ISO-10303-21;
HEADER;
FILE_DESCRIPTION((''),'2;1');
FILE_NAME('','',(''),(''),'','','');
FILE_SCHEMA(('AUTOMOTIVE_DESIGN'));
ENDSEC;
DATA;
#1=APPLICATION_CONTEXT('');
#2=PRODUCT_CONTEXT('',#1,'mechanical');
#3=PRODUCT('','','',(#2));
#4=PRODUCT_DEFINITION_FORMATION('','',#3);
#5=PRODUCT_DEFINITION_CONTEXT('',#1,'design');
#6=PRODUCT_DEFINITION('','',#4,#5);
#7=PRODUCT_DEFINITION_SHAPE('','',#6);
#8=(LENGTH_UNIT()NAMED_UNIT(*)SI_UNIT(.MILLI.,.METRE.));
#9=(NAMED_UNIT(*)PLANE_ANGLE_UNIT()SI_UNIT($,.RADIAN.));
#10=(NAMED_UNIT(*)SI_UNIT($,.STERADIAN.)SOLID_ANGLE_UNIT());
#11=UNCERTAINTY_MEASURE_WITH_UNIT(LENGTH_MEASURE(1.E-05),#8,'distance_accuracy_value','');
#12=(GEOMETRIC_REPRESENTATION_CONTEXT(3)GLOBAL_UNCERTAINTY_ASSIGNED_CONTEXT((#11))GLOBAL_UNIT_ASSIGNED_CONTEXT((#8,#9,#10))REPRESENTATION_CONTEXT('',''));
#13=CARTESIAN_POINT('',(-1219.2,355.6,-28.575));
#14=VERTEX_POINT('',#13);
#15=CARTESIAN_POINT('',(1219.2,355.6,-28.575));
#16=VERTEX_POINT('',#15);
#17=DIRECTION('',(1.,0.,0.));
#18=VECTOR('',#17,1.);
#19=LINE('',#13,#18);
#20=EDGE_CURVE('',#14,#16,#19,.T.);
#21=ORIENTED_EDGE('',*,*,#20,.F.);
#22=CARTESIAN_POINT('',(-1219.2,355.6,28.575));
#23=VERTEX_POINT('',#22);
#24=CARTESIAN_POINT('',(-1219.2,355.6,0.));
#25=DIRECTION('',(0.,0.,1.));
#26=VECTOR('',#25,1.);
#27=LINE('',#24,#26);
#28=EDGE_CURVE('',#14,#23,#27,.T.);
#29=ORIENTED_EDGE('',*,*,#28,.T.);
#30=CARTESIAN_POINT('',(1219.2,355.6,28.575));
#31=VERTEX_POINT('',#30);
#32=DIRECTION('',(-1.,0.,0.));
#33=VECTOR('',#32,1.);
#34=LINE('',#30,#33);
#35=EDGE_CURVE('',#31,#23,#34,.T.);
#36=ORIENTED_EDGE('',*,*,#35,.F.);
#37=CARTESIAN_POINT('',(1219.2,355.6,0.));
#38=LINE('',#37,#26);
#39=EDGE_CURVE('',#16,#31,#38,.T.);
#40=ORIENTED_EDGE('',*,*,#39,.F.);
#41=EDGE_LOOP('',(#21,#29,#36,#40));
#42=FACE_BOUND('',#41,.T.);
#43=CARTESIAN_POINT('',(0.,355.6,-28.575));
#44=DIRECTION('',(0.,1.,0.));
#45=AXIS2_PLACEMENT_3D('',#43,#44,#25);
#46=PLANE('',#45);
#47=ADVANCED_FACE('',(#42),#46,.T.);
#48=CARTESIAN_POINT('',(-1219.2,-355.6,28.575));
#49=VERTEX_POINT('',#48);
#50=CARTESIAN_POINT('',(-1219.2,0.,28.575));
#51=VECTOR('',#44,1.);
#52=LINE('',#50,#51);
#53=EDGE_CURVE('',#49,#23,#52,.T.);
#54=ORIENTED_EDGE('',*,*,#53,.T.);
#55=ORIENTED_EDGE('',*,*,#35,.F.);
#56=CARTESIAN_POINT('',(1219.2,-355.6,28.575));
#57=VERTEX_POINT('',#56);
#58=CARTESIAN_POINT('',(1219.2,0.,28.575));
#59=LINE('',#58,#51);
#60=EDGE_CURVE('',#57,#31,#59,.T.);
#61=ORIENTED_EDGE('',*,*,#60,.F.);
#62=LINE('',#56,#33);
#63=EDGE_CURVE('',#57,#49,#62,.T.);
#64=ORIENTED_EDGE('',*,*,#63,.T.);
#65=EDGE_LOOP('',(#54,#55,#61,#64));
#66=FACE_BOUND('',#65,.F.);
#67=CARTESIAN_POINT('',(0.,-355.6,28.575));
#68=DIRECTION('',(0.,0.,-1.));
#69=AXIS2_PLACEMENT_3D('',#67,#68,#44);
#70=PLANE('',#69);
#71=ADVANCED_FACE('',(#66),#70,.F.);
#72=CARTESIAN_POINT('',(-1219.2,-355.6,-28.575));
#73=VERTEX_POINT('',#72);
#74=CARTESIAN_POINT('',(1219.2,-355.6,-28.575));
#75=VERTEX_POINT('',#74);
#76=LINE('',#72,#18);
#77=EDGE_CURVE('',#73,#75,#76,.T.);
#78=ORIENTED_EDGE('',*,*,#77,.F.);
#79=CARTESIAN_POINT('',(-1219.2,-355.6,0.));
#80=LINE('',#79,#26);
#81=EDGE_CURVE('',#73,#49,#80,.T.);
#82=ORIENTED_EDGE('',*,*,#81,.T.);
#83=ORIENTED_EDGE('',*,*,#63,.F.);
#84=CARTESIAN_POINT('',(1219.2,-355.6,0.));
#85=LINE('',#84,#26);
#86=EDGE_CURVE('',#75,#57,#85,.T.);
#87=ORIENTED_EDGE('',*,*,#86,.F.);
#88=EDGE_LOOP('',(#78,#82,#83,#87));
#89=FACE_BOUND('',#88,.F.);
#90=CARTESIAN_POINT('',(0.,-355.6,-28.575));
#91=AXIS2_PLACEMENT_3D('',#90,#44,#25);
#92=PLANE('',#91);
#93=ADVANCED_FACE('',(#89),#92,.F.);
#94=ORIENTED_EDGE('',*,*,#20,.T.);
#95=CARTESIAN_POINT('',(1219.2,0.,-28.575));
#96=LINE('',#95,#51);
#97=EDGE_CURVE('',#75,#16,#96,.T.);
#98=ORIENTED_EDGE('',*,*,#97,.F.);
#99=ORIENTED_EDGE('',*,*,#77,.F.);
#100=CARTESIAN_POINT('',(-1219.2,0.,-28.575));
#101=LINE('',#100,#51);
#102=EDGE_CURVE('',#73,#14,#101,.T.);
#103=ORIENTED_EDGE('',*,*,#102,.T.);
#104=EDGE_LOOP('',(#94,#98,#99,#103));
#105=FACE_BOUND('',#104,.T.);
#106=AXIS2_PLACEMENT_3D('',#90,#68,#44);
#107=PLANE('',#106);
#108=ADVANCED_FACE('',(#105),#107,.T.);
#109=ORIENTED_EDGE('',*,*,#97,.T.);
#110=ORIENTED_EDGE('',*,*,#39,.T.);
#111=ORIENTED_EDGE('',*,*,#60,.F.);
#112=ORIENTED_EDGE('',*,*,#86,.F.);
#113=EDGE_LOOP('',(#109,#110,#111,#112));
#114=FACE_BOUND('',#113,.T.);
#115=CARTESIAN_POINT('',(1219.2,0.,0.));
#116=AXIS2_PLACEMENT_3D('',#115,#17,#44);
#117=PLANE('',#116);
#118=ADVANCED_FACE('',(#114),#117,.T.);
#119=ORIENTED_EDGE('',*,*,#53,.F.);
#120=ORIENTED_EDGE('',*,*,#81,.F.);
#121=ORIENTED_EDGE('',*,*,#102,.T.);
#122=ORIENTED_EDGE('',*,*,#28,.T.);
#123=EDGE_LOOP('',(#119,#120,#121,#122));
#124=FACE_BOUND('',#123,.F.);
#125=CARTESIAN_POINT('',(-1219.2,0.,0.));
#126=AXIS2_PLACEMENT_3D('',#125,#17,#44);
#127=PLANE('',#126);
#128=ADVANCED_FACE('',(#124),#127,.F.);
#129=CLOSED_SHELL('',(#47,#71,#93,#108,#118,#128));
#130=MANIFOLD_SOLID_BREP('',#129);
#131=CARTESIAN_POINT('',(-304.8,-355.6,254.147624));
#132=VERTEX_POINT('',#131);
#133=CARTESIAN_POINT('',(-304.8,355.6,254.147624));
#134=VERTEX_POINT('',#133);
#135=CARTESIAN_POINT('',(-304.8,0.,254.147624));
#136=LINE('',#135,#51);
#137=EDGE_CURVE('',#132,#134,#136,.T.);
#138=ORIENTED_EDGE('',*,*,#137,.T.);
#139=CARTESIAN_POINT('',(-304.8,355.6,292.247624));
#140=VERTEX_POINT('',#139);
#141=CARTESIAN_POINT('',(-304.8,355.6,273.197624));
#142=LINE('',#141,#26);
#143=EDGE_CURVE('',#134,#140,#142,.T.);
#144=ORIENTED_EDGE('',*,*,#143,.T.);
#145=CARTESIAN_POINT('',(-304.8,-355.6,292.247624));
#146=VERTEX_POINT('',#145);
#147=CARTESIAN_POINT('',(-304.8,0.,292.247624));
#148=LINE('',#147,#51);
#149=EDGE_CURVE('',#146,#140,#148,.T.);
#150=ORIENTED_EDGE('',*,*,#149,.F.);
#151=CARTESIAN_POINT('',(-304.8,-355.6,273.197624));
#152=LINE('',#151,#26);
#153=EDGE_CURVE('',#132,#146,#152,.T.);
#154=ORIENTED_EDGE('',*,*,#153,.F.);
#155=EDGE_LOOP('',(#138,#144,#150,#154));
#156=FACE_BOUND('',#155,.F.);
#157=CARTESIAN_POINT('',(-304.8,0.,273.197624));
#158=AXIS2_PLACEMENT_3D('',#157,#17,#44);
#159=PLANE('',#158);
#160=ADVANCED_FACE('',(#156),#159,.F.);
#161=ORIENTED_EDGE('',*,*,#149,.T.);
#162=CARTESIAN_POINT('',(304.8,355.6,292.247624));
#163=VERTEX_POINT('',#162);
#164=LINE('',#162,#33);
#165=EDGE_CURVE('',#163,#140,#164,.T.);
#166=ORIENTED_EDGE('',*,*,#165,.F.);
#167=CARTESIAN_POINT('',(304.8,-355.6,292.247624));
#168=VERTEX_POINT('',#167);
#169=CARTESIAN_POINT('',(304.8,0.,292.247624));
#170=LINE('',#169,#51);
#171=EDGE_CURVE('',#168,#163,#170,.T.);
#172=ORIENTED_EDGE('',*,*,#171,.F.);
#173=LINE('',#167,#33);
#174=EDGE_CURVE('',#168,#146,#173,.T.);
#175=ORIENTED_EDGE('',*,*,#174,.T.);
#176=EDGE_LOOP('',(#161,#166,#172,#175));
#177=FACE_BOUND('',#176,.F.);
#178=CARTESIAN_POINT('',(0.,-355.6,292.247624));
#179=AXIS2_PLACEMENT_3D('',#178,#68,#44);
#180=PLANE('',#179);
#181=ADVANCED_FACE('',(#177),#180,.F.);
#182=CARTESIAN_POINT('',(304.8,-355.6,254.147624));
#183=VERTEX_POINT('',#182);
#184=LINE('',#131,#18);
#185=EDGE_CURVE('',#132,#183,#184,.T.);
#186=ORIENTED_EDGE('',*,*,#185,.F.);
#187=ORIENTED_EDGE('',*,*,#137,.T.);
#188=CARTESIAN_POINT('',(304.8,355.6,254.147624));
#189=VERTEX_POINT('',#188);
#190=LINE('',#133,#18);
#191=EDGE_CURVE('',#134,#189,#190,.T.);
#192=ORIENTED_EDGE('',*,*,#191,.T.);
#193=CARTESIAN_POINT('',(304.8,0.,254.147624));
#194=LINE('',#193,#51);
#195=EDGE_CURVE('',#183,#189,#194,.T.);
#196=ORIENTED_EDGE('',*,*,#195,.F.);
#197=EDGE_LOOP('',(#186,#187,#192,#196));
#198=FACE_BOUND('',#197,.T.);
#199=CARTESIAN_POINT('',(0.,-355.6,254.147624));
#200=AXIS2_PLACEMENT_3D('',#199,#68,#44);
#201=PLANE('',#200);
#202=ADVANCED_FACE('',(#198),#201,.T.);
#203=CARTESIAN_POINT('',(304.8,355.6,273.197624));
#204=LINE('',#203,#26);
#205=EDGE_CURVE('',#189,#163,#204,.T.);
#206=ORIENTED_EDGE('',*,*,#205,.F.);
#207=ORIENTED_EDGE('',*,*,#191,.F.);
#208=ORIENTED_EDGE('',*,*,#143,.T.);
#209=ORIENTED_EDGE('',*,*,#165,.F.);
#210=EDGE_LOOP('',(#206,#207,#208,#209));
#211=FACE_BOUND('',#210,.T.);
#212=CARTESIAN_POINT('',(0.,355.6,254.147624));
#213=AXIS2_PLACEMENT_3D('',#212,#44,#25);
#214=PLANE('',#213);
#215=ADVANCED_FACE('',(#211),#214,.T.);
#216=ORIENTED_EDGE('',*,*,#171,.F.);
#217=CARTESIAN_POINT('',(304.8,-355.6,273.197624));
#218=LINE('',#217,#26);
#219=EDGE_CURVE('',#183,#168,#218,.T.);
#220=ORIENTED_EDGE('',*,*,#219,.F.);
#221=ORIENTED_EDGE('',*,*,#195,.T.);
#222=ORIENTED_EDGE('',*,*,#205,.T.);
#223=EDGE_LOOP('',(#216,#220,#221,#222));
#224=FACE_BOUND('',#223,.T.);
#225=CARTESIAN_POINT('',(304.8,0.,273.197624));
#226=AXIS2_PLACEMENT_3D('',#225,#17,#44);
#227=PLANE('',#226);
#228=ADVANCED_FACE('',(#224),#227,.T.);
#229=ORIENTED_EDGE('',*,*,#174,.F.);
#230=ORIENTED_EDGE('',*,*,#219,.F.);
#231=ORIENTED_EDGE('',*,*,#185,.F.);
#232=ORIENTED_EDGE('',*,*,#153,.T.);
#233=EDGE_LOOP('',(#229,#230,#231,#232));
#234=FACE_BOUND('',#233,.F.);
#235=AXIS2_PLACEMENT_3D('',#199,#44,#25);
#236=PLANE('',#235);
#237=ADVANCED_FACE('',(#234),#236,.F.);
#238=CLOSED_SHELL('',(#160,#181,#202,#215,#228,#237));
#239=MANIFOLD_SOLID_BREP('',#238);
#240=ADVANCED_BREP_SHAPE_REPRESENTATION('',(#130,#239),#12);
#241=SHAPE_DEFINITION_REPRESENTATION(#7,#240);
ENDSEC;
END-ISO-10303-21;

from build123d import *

# Parameters (mm, degrees)
F0_W     = 711.2
F0_H     = 57.15
F1_DEPTH = 1219.2
F2_W     = 711.2
F2_H     = 38.1
F3_DEPTH = 304.8


with BuildPart() as f1:
    # F0 (on Right) → F1 (new body, symmetric)
    with BuildSketch(Plane.YZ):
        Rectangle(F0_W, F0_H)
    extrude(amount=F1_DEPTH, both=True)


with BuildPart() as f3:
    # F2 (on Right) → F3 (new body, symmetric)
    with BuildSketch(Plane.YZ):
        with Locations((0, 273.197624)):
            Rectangle(F2_W, F2_H)
    extrude(amount=F3_DEPTH, both=True)


solid = Compound([f1.part, f3.part])
